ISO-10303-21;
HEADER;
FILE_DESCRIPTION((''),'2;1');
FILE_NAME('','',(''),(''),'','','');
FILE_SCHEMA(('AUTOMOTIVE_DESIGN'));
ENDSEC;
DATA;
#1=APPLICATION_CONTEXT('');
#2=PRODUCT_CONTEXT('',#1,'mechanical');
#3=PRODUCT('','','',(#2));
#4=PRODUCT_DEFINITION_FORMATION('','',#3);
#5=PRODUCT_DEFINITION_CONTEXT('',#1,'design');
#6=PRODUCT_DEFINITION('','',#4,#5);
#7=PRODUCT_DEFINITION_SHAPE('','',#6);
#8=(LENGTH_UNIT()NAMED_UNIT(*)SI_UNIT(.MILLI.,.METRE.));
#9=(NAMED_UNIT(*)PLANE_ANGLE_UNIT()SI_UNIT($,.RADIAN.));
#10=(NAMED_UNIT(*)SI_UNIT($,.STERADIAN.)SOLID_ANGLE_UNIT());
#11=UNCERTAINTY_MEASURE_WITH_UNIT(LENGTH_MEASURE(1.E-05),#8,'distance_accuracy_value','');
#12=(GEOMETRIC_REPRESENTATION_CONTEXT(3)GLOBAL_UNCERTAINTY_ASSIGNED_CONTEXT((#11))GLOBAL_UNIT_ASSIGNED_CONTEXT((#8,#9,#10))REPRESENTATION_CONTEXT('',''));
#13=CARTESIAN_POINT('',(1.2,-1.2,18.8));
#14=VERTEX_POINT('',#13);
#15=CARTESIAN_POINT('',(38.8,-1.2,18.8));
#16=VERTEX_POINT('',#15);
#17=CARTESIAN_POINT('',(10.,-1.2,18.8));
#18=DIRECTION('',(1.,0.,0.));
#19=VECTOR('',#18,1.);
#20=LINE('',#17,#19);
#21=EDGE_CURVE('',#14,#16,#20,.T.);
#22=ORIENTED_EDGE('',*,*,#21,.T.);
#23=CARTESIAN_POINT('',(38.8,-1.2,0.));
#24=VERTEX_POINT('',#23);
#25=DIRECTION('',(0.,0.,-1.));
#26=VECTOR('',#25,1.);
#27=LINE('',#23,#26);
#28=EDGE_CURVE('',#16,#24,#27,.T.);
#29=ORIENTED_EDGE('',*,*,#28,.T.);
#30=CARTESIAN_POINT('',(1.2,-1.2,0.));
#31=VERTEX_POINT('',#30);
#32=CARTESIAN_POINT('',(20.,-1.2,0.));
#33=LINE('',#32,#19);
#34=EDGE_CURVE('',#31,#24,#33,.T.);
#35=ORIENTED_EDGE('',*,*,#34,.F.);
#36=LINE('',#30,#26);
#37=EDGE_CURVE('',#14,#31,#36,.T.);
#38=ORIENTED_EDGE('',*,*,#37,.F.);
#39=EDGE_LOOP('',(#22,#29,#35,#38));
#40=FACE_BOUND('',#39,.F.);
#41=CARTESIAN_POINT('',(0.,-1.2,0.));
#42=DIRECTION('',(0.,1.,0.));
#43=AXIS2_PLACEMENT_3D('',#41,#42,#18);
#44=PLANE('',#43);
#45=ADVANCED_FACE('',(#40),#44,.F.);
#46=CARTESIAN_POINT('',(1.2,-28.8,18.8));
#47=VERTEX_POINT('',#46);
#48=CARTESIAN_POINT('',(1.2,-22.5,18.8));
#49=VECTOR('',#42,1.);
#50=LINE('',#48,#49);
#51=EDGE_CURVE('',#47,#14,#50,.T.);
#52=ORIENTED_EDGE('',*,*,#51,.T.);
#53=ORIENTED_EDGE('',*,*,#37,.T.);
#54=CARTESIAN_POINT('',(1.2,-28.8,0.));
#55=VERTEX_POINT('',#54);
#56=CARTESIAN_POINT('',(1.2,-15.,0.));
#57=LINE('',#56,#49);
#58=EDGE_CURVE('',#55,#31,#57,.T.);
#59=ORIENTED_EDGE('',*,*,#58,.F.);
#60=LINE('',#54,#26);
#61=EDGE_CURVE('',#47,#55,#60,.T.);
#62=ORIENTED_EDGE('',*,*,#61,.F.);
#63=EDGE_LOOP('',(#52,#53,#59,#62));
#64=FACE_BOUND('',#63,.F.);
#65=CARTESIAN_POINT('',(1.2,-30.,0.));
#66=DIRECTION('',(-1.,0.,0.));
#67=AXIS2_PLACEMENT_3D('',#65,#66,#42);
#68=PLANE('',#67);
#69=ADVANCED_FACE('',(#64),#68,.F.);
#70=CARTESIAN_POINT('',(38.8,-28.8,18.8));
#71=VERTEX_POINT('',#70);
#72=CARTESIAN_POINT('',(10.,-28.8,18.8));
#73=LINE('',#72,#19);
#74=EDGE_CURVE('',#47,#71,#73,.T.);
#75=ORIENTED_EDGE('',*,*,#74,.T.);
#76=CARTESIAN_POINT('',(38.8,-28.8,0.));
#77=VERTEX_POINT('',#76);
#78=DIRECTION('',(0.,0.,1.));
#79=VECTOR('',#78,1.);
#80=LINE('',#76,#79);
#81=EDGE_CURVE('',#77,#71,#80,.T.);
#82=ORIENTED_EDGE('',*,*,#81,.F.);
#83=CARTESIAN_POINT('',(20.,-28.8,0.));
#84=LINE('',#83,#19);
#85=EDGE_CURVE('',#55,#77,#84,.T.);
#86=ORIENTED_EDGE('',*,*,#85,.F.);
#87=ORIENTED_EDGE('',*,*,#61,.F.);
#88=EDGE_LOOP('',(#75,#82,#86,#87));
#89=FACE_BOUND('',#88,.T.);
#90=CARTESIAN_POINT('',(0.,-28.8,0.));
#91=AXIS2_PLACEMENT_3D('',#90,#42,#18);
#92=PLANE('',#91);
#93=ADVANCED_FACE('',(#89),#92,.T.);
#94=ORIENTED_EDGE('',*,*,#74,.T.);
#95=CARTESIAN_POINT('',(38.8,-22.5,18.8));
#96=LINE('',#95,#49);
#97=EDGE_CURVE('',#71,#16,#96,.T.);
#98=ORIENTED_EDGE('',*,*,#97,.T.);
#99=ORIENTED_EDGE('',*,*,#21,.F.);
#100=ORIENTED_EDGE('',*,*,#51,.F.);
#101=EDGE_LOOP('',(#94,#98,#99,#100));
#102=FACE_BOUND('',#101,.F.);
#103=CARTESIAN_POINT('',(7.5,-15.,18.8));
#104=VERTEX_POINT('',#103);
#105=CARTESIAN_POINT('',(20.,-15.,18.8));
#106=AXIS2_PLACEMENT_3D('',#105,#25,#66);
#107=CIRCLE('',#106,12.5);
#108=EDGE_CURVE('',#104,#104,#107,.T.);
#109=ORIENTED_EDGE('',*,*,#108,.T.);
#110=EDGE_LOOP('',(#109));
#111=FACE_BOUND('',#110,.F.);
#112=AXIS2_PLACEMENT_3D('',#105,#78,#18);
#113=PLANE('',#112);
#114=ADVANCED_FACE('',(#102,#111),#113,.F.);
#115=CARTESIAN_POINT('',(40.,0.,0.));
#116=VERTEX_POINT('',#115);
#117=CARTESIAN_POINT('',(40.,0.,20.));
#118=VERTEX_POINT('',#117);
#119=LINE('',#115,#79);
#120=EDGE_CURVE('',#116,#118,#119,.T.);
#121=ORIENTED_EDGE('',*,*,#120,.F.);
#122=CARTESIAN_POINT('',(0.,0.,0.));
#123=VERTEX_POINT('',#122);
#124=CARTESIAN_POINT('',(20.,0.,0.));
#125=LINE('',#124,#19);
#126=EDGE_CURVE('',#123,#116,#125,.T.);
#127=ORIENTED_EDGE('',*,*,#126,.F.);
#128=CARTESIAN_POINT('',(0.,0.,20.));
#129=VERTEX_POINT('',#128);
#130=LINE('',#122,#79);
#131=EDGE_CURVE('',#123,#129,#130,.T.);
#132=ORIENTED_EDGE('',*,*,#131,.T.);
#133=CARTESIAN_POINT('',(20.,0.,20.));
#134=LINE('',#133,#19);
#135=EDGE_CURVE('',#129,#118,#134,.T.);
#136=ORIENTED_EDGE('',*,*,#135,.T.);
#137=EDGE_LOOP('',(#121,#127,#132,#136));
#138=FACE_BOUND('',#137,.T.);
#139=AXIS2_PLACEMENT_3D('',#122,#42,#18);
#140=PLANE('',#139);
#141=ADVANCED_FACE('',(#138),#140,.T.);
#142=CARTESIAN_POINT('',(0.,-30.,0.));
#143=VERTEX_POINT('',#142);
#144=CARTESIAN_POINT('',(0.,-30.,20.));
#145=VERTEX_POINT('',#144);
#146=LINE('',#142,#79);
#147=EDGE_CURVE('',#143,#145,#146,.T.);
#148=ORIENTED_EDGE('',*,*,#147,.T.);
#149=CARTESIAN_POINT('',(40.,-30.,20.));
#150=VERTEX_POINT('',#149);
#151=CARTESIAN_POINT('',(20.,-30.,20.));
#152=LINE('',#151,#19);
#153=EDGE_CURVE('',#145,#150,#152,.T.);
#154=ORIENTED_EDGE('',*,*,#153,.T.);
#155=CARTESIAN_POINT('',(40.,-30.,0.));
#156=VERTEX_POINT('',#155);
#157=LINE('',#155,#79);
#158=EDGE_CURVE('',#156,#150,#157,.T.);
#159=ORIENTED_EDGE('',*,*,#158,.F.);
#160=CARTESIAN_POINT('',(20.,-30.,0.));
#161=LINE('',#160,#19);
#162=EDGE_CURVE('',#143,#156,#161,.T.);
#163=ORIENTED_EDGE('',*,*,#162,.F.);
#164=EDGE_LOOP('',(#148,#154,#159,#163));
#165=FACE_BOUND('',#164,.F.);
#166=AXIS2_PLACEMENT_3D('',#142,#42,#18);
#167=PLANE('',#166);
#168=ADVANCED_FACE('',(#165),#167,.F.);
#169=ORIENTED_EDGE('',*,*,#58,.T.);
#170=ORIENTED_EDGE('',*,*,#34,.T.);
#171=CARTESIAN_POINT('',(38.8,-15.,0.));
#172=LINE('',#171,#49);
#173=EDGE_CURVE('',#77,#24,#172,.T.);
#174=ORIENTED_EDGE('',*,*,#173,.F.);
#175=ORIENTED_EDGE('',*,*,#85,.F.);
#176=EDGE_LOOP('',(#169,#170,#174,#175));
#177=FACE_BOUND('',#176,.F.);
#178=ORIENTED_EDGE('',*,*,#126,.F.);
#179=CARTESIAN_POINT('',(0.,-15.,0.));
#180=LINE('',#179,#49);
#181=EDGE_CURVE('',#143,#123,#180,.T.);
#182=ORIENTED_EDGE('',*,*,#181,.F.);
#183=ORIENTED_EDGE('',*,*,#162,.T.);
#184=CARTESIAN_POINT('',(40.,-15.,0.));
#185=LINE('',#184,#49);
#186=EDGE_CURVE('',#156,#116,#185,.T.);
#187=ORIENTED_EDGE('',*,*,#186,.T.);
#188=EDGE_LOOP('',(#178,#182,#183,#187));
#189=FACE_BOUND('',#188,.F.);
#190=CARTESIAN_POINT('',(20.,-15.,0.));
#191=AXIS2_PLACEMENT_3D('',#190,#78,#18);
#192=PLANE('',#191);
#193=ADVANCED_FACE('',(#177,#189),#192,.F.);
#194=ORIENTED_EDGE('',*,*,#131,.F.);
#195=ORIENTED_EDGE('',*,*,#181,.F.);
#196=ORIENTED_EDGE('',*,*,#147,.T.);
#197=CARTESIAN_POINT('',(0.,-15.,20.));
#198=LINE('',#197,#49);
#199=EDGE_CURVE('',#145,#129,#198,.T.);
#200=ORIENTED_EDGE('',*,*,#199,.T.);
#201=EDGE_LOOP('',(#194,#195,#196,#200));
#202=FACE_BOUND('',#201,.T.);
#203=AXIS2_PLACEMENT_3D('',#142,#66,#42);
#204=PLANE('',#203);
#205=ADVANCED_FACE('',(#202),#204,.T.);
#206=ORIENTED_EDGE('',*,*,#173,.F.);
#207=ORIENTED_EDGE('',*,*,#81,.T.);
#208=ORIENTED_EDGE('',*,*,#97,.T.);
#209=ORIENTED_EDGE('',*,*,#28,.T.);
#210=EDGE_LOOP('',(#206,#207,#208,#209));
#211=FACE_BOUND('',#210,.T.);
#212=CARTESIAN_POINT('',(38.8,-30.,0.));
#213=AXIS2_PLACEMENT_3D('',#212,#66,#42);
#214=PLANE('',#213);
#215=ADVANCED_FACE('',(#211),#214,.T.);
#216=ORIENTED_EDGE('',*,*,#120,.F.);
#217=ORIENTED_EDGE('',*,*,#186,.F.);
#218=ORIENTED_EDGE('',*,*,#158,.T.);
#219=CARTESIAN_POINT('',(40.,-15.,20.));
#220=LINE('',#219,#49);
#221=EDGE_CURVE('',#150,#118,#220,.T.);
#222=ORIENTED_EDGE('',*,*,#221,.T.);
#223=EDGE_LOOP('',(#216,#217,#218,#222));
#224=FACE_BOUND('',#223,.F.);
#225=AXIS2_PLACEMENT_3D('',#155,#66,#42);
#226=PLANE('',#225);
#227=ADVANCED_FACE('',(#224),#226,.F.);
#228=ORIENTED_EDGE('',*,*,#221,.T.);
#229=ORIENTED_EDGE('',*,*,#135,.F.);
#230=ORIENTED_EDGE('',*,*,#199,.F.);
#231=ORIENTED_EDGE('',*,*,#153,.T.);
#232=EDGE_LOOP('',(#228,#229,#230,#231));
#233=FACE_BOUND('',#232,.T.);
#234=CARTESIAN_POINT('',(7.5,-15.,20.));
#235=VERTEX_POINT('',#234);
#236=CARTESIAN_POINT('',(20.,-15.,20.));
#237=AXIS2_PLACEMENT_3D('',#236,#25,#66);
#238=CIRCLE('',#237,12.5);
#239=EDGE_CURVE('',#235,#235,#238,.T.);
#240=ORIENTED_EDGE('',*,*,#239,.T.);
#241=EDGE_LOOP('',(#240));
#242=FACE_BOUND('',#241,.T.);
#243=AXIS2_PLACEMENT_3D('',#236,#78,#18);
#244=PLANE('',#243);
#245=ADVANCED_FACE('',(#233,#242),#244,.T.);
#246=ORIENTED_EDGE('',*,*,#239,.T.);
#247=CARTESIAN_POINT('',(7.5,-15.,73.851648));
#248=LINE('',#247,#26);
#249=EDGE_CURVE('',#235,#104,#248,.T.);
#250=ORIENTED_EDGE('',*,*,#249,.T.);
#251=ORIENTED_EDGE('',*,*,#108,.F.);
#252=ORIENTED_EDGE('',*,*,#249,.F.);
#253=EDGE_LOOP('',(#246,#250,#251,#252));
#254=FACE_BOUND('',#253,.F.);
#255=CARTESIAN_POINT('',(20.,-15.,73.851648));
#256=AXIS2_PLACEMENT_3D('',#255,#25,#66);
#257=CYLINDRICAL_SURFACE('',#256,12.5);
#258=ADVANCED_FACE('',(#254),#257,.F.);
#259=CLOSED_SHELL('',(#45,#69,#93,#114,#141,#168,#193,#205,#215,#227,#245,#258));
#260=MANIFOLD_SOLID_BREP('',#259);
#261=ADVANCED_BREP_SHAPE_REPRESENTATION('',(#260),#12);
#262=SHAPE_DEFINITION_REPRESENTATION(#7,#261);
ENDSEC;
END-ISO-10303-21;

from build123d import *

# Parameters (mm, degrees)
F0_W     = 40
F0_H     = 30
F1_DEPTH = 20
F2_T     = -1.2
F4_D     = 25


with BuildPart() as f1:
    # F0 (on Top) → F1 (new body)
    with BuildSketch(Plane.XY):
        with Locations((20, -15)):
            Rectangle(F0_W, F0_H)
    extrude(amount=F1_DEPTH)

    # F2
    f2_openings = [f1.faces().sort_by_distance(p)[0] for p in [
        (20, -15, 0),
    ]]
    offset(amount=F2_T, openings=f2_openings)

    # F4 (through all)
    with Locations(Plane.XY.offset(20)):
        with Locations((20, -15)):
            Hole(F4_D / 2)


solid = f1.part
